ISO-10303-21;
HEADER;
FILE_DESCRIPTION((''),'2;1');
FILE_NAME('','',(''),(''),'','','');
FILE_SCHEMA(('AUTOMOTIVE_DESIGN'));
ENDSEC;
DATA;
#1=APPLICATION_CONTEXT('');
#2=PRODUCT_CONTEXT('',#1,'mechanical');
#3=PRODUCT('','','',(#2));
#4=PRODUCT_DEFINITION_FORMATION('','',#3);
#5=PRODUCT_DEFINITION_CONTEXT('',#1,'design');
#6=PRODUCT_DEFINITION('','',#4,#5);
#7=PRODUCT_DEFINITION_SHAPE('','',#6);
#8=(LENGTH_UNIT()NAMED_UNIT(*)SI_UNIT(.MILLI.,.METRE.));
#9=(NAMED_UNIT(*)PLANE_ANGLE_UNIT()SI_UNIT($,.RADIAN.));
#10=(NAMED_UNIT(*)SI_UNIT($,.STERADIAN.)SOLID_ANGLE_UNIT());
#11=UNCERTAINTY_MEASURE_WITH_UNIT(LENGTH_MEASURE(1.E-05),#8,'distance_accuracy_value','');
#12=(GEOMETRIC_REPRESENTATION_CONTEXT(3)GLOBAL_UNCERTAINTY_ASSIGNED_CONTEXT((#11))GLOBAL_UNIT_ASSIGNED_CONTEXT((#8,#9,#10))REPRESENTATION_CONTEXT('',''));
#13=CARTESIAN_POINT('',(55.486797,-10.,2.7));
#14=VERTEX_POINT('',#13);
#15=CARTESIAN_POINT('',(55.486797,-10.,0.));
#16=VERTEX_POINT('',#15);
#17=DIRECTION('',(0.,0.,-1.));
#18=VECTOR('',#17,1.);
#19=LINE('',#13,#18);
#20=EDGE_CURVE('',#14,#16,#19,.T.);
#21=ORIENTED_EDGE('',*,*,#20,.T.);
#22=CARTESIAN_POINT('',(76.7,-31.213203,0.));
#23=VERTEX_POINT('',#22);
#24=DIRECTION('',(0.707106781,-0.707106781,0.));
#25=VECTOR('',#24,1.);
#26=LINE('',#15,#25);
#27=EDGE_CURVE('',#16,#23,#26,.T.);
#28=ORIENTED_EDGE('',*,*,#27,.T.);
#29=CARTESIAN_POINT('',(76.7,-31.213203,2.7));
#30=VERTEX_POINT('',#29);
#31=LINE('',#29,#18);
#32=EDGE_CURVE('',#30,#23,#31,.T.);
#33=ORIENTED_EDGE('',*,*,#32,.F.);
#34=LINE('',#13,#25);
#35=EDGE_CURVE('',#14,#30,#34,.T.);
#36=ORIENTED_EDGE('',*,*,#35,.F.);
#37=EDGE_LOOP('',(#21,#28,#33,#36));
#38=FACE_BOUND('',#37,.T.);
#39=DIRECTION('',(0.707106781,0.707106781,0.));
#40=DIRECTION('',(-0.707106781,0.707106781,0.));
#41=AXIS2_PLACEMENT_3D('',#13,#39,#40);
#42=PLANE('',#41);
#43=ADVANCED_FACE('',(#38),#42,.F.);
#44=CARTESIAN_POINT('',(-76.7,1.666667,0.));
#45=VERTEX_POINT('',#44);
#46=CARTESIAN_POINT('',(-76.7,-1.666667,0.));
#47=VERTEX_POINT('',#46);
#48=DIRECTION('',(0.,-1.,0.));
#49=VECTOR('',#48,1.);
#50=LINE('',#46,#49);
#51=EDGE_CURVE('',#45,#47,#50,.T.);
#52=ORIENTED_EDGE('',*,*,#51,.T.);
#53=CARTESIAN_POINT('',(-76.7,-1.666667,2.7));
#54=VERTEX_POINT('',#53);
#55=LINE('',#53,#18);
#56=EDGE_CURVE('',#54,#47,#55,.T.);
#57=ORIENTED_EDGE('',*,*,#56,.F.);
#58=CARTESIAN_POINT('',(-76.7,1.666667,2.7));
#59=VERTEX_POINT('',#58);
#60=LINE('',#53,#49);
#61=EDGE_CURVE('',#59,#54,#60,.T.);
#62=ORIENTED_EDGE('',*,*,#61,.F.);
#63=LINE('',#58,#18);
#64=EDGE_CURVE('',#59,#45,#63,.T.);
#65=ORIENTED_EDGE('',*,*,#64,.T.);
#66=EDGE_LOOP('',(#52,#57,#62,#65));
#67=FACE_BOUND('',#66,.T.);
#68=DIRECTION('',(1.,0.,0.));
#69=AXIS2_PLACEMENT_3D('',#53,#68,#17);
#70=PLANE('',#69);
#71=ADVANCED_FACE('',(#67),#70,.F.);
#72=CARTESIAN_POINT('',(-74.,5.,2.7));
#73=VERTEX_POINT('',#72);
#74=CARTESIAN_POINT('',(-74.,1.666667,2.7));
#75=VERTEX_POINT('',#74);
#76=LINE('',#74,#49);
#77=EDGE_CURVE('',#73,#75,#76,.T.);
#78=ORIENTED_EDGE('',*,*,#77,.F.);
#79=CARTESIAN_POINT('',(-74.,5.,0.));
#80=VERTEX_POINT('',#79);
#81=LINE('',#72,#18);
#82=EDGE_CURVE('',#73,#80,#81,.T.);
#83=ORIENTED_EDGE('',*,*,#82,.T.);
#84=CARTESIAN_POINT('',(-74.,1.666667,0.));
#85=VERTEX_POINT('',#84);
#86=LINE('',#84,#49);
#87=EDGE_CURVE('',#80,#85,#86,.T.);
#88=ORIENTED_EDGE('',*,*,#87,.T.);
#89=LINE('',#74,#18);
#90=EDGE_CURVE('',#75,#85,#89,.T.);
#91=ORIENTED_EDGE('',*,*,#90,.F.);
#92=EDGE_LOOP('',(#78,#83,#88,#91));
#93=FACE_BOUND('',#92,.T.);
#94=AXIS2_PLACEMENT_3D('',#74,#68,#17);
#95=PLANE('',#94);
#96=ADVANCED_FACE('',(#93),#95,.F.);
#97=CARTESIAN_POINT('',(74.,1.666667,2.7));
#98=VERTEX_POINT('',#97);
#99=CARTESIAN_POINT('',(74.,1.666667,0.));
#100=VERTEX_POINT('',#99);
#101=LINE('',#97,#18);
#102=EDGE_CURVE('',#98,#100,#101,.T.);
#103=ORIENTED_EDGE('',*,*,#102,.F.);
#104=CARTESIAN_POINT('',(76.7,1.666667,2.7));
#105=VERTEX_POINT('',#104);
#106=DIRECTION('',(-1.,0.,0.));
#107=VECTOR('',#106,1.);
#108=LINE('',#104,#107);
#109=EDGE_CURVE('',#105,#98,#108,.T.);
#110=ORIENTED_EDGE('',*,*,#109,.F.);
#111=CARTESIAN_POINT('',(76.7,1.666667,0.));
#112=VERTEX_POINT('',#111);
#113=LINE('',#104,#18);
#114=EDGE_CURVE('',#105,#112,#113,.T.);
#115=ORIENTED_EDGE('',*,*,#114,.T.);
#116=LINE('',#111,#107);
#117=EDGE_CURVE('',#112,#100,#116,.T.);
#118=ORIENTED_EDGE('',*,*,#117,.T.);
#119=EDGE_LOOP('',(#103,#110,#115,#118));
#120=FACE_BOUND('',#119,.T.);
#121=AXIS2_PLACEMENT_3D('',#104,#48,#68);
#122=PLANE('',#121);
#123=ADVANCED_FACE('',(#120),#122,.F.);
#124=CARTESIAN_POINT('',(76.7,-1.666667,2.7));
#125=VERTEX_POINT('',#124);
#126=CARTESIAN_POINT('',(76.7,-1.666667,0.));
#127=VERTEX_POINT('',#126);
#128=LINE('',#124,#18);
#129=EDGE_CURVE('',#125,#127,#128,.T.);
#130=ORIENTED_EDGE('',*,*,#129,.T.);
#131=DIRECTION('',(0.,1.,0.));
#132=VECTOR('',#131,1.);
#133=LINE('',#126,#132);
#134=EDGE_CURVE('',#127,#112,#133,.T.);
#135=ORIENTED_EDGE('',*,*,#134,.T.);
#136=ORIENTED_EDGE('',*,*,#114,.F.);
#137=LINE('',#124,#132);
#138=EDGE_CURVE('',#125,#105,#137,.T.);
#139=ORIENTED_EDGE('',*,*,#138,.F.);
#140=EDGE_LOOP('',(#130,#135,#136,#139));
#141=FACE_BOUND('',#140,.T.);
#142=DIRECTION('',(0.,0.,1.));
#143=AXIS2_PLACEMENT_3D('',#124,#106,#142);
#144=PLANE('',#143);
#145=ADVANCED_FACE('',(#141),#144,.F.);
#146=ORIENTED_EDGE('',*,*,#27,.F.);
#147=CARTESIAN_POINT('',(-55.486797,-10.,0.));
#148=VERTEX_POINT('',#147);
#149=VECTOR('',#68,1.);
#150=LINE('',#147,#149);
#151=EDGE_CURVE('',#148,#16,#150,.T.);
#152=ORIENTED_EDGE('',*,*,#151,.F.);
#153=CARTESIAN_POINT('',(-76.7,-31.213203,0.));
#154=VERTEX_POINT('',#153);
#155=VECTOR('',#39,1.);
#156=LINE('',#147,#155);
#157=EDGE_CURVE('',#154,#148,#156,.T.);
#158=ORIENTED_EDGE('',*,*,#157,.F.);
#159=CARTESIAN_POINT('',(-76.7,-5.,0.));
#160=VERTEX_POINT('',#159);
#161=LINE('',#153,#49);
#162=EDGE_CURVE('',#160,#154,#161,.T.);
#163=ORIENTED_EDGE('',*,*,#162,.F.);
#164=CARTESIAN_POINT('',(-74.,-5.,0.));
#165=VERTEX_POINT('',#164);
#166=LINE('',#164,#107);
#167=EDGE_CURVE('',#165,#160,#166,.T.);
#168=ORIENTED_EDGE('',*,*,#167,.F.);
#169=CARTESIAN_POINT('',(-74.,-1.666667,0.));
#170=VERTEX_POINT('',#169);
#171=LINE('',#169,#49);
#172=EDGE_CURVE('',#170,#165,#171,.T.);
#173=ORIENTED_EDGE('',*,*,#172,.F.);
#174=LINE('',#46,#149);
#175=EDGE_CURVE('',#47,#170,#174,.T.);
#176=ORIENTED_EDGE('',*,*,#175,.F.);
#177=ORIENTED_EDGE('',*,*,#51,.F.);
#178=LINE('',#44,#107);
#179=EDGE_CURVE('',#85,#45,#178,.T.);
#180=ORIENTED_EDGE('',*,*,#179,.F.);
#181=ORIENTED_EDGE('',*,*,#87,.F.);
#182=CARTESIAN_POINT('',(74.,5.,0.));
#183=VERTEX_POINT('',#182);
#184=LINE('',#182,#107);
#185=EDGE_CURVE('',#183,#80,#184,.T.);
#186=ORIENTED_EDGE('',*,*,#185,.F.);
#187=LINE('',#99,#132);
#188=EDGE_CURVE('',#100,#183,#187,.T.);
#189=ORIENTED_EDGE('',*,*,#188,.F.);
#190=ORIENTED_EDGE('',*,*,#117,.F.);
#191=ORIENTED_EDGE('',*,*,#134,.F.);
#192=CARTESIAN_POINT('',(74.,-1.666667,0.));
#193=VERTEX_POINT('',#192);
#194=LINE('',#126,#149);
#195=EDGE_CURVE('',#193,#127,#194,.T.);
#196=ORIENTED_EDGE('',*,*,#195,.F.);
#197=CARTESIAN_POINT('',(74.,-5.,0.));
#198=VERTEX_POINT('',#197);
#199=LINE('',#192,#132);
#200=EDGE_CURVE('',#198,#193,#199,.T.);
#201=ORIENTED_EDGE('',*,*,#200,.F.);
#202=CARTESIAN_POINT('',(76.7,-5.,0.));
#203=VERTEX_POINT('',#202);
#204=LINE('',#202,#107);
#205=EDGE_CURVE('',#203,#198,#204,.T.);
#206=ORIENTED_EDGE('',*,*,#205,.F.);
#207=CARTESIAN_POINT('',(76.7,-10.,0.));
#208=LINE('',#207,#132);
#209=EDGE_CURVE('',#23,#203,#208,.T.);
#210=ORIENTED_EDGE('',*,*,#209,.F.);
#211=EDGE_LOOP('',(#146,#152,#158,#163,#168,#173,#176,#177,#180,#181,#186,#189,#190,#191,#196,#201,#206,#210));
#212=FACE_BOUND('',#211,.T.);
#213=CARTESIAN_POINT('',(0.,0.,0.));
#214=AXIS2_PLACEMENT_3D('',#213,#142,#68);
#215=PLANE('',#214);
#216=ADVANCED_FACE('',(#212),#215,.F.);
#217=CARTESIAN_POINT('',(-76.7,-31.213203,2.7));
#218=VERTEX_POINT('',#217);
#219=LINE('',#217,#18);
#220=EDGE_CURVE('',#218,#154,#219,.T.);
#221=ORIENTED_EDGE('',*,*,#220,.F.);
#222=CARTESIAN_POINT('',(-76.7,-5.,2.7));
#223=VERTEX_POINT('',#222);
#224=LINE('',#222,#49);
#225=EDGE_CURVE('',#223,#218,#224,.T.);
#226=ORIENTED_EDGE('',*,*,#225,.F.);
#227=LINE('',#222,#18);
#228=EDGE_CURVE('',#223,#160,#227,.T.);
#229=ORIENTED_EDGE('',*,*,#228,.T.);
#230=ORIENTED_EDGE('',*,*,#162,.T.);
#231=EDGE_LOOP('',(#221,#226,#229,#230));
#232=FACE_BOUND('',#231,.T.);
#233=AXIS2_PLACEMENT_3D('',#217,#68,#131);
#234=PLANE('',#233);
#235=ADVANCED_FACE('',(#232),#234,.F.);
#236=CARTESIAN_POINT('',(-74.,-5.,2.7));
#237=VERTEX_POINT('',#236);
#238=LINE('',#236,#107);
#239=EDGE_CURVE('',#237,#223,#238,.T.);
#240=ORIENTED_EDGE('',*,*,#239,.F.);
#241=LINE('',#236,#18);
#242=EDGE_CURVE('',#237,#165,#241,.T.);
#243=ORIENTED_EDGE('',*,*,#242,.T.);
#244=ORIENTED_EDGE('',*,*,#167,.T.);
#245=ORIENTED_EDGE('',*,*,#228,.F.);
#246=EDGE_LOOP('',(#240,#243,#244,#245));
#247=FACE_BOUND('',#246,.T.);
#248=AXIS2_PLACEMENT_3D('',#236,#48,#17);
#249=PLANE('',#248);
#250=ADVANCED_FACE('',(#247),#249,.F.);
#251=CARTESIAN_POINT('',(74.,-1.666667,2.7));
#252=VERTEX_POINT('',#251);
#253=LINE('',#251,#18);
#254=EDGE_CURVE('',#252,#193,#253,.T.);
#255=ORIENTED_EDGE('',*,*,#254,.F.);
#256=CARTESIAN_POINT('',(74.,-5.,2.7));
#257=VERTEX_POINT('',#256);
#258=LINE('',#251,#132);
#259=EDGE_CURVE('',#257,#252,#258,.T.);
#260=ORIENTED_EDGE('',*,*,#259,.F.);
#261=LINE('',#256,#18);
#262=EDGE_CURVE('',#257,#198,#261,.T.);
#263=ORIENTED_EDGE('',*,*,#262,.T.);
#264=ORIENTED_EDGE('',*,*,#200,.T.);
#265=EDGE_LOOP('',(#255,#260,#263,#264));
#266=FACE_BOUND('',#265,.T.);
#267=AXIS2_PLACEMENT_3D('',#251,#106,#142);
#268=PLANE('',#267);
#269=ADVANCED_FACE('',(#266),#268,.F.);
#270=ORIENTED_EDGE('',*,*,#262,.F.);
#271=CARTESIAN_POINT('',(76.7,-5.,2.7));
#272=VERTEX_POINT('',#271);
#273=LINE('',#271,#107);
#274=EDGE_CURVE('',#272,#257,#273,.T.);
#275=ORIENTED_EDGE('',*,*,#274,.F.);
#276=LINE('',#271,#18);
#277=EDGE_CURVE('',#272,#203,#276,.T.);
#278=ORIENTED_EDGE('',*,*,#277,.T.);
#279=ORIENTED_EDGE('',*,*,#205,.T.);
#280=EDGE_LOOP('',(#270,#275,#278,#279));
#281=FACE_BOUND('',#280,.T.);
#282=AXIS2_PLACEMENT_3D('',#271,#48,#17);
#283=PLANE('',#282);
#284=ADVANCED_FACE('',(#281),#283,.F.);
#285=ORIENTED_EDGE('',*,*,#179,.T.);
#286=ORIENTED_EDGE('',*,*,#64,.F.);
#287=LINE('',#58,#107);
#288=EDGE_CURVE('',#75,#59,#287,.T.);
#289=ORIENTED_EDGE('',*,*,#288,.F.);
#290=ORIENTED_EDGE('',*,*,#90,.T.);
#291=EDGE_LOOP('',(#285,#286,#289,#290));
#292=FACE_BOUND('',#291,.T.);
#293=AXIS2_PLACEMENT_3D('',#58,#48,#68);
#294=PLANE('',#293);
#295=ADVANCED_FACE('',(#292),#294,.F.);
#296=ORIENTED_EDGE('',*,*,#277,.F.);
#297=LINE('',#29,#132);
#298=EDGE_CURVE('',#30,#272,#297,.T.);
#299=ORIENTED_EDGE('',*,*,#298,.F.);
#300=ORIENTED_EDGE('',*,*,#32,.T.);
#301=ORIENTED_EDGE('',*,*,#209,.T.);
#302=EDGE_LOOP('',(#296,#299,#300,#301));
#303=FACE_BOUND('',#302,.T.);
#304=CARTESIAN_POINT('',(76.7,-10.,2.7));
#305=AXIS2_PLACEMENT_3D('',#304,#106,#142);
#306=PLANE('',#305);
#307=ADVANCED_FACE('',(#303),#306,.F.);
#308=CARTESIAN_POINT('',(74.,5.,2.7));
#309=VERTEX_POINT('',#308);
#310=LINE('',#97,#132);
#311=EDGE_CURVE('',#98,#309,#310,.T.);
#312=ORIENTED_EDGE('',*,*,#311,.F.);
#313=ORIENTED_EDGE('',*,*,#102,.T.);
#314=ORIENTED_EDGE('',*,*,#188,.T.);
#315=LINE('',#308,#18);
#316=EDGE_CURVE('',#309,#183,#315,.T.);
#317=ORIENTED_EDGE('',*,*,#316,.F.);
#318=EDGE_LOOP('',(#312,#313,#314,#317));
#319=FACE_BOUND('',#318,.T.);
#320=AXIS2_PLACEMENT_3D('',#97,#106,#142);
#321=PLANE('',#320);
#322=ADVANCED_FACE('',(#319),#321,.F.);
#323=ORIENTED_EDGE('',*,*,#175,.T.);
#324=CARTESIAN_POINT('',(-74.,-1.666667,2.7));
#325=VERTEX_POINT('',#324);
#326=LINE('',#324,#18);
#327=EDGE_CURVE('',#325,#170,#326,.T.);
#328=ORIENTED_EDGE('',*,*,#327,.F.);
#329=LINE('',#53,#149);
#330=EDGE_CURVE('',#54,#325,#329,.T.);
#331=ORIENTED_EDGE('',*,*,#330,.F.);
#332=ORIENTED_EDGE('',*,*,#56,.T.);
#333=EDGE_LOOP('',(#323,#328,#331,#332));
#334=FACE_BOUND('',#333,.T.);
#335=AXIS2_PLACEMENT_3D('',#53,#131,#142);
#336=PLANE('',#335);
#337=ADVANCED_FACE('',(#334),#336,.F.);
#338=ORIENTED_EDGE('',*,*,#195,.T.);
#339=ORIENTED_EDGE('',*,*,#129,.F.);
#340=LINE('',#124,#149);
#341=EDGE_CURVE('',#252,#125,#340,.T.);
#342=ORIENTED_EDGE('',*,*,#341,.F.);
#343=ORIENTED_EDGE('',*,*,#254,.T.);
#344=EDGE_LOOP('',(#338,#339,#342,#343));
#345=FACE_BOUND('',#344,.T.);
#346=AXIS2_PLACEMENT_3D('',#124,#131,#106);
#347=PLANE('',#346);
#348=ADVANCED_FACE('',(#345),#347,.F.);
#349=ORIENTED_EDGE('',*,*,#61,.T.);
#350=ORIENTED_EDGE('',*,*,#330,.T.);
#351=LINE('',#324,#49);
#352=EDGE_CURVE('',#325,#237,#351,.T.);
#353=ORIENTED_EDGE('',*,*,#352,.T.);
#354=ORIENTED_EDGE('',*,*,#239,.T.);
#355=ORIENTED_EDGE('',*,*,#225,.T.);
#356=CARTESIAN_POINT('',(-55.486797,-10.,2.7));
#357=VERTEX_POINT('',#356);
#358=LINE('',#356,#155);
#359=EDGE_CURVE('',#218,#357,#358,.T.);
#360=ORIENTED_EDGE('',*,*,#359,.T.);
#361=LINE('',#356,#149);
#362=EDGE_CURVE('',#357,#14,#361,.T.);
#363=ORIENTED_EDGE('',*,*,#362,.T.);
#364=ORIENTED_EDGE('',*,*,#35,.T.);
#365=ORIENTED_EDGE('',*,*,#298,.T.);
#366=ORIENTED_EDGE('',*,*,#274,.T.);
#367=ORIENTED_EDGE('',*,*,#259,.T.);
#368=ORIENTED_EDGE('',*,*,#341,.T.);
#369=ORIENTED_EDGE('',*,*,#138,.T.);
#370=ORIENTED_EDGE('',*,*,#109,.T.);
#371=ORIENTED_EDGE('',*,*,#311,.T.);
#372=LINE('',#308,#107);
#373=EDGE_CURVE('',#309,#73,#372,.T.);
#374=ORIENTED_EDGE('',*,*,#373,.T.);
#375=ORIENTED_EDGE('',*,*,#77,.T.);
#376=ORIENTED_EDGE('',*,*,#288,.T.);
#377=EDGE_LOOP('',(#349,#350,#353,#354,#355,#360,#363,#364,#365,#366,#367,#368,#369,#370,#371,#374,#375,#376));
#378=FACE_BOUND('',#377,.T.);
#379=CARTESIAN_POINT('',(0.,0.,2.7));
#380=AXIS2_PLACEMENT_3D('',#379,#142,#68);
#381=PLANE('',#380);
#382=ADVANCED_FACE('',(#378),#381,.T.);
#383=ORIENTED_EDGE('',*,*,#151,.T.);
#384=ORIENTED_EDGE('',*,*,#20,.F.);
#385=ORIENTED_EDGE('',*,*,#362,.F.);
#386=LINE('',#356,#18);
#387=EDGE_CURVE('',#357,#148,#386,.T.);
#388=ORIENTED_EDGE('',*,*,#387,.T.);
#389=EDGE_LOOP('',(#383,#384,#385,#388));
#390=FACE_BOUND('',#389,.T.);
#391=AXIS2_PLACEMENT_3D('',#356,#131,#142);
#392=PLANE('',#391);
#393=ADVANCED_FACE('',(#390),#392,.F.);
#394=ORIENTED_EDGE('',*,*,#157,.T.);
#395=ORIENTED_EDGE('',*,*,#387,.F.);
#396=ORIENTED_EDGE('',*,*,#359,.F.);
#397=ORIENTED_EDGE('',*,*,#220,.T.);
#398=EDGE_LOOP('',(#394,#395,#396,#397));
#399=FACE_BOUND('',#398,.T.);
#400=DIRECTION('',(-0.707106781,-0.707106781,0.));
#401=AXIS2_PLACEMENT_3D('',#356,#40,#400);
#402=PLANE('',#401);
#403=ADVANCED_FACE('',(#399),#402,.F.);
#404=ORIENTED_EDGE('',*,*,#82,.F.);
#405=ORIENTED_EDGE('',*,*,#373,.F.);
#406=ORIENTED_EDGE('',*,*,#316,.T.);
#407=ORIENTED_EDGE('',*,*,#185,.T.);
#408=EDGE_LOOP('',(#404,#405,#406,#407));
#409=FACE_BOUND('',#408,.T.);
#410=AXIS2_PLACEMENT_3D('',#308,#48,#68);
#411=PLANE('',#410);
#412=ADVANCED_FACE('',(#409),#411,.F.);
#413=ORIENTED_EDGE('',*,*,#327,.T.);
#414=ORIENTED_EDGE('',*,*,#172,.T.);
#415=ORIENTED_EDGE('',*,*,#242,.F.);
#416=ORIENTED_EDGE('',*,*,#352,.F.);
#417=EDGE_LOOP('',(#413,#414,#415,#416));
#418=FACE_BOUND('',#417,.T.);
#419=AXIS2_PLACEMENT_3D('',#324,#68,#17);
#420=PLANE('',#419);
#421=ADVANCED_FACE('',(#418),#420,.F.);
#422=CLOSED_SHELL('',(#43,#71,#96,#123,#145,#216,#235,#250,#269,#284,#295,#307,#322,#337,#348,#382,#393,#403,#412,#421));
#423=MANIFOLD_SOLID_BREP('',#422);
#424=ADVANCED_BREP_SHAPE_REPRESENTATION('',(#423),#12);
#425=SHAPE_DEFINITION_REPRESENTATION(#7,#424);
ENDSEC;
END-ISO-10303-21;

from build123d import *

# Parameters (mm, degrees)
BOSS_EXTRUDE1_DEPTH = 2.7


with BuildPart() as part:
    # Sketch1 → Boss-Extrude1 (new body)
    with BuildSketch(Plane.XY):
        Polygon((-76.7, -1.666666667), (-76.7, 1.666666667), (-74, 1.666666667), (-74, 5), (74, 5), (74, 1.666666667), (76.7, 1.666666667), (76.7, -1.666666667), (74, -1.666666667), (74, -5), (76.7, -5), (76.7, -10), (76.7, -31.213203436), (55.486796564, -10), (-55.486796564, -10), (-76.7, -31.213203436), (-76.7, -10), (-76.7, -5), (-74, -5), (-74, -1.666666667), align=None)
    extrude(amount=BOSS_EXTRUDE1_DEPTH)


solid = part.part
